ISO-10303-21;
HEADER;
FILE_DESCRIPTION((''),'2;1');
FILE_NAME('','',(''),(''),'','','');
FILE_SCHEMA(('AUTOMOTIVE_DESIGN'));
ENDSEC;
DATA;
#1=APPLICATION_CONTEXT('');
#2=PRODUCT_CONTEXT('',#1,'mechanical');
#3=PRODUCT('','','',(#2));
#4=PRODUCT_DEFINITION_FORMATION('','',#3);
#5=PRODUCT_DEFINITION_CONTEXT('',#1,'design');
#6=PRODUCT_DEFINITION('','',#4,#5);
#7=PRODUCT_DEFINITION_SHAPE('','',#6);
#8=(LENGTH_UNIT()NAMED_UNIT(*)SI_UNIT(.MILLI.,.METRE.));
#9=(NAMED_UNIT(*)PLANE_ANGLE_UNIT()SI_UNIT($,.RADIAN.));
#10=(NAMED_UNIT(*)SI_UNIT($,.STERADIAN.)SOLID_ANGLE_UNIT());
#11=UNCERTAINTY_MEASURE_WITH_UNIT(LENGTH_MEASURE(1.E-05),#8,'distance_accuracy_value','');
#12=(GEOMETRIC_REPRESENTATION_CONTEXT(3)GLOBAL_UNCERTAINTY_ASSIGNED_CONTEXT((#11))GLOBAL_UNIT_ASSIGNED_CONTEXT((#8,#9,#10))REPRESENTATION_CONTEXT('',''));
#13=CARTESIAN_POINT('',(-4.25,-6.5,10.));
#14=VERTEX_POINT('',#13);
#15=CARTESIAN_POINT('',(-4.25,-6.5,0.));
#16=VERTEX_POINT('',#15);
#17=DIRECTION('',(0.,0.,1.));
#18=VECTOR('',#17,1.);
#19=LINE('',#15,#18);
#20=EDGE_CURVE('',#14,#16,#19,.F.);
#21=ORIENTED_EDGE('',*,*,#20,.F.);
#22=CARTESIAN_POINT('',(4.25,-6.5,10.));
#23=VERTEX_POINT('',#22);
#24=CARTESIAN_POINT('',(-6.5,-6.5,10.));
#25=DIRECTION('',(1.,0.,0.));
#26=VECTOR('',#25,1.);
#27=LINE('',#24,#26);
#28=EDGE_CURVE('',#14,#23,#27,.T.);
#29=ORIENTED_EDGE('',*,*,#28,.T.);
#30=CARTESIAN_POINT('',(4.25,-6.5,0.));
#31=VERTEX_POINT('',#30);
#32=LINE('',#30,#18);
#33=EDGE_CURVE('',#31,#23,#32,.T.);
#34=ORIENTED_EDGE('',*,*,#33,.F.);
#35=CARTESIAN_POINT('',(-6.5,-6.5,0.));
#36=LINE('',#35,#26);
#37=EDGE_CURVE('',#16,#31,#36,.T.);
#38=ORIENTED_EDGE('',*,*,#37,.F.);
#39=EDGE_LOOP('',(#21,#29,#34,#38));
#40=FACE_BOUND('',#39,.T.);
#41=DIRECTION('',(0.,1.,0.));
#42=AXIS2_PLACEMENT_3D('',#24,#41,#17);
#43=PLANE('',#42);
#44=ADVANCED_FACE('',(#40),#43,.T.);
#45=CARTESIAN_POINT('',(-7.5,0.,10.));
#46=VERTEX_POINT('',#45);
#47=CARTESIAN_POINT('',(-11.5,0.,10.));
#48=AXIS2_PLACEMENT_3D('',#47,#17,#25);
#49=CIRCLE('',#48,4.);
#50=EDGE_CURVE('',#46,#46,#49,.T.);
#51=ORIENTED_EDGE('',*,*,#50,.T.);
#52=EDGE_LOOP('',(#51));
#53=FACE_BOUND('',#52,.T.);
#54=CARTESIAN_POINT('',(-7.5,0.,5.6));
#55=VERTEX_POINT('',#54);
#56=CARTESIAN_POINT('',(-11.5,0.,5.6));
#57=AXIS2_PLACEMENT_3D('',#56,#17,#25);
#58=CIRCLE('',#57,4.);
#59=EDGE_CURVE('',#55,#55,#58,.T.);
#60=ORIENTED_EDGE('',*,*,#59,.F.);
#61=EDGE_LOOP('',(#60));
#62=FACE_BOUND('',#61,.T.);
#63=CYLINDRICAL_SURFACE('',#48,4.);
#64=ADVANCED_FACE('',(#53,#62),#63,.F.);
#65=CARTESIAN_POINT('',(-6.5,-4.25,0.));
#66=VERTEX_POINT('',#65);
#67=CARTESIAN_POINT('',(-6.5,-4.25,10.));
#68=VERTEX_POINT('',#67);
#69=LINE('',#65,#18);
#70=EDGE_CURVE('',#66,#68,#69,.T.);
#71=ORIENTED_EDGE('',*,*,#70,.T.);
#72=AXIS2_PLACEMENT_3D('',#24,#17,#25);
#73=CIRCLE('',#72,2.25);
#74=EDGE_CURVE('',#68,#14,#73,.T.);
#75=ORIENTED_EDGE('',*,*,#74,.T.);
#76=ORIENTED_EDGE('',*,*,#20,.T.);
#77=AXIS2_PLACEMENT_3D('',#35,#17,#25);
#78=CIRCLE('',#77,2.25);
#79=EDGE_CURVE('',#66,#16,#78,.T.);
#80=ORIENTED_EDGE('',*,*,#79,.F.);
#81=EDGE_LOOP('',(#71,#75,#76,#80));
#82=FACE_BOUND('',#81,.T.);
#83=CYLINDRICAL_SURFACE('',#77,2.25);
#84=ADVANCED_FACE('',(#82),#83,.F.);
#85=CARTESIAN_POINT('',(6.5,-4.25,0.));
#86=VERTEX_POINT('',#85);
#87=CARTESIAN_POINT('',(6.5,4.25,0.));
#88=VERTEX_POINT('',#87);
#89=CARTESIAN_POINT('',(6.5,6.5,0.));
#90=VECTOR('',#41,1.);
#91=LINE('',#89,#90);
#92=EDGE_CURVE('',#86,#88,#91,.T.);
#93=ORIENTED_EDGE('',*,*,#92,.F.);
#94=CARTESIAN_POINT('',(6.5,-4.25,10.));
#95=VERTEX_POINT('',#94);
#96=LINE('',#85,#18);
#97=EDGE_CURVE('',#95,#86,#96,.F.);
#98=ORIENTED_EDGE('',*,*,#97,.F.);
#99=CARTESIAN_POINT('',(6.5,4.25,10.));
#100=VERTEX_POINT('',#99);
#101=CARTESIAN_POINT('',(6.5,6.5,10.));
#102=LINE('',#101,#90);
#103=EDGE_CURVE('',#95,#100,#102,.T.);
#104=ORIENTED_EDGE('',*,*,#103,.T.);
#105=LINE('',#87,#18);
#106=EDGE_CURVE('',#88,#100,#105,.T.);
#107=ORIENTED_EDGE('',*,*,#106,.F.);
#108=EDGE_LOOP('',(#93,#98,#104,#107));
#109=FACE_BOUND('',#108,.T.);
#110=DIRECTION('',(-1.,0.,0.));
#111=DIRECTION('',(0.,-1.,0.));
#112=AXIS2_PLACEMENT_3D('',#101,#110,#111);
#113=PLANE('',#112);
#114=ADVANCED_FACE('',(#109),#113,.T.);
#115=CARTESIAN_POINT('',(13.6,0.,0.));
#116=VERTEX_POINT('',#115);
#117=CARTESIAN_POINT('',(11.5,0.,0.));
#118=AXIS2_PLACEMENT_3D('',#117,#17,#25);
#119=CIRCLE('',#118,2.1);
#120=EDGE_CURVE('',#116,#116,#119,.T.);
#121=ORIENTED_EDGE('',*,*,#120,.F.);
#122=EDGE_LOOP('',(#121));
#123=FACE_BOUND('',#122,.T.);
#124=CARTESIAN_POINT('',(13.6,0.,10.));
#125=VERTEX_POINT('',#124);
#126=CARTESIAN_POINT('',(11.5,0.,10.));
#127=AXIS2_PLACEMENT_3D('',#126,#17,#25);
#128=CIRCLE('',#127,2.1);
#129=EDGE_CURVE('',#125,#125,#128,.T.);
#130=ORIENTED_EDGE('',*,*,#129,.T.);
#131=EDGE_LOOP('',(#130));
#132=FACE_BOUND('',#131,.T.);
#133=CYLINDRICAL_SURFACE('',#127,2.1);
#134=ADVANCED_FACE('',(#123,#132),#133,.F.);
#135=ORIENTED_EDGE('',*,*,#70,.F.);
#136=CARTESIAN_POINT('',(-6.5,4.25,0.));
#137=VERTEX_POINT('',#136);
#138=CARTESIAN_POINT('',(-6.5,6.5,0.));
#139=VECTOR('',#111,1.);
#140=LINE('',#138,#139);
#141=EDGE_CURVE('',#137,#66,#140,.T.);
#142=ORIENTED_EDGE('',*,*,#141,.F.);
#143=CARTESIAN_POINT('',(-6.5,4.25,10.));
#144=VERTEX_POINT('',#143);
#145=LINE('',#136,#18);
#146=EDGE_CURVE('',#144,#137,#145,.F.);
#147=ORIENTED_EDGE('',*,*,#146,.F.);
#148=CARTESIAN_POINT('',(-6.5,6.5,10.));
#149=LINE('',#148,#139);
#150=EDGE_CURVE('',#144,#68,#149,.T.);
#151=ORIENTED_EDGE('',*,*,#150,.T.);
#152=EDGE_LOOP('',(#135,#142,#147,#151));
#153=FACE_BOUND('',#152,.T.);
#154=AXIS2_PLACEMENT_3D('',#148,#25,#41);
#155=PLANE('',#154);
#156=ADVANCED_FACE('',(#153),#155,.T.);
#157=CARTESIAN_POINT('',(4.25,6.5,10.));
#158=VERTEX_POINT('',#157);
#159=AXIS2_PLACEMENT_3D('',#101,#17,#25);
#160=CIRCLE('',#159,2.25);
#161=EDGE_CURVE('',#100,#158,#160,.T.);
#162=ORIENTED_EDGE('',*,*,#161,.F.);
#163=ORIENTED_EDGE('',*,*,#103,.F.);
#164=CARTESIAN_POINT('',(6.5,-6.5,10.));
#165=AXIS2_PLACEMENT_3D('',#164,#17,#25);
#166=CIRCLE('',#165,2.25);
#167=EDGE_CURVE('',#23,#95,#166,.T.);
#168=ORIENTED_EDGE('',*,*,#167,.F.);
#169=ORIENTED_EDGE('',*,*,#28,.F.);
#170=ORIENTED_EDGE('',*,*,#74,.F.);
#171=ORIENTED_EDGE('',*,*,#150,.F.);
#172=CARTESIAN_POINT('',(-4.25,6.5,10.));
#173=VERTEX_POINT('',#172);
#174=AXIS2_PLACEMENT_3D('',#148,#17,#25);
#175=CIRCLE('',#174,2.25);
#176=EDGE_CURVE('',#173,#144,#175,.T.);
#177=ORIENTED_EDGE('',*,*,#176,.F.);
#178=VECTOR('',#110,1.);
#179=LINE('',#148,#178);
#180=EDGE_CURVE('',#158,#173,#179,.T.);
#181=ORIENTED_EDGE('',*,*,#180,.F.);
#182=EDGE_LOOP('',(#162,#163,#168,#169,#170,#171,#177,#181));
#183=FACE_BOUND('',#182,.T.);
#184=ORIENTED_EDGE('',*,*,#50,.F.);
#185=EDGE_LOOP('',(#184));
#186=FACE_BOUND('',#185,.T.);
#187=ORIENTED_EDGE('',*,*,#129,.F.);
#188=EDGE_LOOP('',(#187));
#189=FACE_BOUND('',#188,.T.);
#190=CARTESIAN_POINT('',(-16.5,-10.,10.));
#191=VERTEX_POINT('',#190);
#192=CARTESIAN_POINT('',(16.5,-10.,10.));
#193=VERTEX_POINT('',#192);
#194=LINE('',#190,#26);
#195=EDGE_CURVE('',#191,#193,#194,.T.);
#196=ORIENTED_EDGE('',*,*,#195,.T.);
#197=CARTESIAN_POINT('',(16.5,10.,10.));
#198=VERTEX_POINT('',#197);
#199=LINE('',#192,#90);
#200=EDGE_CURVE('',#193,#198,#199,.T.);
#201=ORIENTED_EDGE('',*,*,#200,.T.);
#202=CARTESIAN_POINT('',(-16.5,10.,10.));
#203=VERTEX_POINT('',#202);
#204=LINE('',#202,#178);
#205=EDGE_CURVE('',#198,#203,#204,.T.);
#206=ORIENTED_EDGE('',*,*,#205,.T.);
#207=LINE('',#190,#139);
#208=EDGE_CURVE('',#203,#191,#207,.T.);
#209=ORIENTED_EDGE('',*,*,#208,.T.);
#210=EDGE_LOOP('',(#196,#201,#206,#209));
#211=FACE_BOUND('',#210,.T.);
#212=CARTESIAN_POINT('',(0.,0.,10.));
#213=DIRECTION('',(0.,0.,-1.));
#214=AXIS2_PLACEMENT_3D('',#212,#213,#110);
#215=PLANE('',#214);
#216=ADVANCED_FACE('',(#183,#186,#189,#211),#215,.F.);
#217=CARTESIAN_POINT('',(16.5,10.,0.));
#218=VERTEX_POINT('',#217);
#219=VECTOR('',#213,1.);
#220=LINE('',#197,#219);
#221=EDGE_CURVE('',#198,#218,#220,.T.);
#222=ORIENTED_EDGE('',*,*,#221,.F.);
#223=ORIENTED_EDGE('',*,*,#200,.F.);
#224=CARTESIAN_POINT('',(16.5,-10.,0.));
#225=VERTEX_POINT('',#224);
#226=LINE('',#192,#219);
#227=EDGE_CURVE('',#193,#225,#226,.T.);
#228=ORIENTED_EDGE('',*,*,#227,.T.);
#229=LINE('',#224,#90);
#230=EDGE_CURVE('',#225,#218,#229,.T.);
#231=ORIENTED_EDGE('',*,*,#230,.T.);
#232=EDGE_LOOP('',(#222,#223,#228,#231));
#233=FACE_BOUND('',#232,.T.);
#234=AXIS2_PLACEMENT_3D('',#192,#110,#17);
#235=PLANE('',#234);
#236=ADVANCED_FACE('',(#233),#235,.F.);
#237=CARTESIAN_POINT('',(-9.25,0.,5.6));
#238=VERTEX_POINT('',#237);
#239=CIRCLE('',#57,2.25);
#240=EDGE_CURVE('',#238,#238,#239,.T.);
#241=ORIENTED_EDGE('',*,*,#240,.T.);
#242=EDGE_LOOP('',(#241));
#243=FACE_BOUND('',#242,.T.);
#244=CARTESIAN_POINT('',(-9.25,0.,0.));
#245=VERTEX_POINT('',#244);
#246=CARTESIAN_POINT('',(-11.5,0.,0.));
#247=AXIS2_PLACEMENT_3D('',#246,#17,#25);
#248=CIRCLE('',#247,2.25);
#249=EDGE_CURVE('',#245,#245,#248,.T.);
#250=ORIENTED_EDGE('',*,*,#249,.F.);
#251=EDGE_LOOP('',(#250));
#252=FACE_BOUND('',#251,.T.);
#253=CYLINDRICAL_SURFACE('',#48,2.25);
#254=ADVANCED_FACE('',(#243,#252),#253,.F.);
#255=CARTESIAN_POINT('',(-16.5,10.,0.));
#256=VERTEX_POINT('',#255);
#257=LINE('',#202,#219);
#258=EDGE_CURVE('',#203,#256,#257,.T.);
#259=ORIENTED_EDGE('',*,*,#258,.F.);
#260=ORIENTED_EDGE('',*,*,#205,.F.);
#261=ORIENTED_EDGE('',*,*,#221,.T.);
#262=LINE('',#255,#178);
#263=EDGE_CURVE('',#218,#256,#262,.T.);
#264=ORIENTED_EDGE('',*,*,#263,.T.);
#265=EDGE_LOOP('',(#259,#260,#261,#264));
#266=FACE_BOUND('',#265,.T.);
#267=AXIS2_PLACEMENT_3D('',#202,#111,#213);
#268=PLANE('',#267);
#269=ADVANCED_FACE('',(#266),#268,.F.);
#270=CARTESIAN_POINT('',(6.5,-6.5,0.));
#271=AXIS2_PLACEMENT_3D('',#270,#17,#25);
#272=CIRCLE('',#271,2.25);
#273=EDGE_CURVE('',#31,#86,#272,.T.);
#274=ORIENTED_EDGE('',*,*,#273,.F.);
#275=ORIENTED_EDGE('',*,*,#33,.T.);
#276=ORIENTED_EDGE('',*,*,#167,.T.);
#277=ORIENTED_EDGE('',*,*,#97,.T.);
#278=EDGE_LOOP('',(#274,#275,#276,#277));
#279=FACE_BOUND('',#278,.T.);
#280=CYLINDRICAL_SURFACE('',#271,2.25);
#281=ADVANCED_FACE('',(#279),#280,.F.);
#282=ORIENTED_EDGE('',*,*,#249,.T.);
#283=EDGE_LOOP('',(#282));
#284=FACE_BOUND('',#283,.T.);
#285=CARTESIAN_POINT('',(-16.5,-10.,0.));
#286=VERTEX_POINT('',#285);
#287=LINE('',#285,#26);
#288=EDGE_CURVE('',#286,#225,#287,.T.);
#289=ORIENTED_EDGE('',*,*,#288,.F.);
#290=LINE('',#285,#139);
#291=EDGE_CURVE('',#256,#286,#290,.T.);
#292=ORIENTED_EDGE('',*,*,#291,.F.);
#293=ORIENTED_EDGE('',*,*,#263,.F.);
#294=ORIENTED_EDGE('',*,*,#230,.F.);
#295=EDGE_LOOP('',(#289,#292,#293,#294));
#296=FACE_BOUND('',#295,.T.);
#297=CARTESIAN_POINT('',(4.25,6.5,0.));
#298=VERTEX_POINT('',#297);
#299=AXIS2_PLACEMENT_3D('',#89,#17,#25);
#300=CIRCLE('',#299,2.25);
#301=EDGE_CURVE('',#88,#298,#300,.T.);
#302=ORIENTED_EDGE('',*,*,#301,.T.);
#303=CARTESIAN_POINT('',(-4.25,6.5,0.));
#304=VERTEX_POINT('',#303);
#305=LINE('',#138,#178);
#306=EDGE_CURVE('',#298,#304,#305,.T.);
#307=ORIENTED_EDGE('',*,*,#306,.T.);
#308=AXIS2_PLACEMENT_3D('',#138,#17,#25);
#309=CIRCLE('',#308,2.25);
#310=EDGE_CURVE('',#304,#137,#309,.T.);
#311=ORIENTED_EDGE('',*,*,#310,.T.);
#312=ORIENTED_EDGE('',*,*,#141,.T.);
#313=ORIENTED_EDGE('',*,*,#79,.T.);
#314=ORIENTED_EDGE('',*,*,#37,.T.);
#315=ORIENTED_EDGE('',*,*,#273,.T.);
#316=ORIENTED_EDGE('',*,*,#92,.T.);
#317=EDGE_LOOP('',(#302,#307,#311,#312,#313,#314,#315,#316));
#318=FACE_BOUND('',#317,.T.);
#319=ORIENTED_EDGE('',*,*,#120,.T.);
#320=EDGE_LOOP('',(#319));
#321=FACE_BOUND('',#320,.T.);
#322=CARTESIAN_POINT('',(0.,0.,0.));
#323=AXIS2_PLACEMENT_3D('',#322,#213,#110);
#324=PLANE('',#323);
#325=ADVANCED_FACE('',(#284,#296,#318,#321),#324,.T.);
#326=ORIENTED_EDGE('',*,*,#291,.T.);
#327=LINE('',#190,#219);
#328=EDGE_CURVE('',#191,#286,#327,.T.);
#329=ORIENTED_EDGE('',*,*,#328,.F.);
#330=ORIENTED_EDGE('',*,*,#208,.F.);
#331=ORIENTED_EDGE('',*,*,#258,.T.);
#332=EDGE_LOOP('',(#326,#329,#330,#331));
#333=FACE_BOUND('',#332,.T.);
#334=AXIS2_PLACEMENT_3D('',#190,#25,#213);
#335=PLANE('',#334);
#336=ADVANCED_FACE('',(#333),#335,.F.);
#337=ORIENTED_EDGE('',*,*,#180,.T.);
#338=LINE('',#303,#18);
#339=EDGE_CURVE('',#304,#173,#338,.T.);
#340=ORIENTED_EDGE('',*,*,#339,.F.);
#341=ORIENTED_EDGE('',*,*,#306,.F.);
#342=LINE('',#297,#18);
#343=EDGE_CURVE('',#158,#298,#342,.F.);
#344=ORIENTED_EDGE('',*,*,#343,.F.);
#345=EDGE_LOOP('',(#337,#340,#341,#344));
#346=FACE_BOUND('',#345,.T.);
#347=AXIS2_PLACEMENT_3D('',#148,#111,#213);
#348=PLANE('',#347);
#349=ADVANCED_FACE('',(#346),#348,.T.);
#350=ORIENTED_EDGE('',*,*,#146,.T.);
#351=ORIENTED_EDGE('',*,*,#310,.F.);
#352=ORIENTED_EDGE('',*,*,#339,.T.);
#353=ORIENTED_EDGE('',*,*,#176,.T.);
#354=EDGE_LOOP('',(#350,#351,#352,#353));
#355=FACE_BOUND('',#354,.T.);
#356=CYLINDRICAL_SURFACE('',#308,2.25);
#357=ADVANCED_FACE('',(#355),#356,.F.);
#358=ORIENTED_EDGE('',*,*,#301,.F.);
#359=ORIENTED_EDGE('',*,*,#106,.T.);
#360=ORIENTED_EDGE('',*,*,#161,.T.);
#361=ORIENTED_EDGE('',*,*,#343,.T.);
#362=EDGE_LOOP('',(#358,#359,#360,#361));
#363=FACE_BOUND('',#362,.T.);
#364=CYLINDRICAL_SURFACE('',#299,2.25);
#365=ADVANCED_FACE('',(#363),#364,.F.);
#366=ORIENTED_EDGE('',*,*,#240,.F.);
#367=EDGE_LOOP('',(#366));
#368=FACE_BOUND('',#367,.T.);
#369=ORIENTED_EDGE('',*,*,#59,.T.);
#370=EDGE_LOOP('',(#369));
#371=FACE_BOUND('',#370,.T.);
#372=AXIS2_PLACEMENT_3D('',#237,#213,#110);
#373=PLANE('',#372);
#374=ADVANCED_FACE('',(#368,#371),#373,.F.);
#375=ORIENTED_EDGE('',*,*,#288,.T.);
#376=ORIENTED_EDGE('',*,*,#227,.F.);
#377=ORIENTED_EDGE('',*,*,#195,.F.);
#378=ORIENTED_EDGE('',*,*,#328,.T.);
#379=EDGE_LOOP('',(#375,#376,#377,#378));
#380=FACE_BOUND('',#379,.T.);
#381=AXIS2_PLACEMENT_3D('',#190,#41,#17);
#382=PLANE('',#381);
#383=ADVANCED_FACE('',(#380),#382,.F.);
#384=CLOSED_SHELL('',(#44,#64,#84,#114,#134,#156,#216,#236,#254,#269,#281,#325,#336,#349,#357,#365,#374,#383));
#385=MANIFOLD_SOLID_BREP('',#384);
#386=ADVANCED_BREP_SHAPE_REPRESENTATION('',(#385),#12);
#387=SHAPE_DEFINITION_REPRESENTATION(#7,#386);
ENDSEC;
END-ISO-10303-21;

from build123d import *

# Parameters (mm, degrees)
SKIZZE1_W                                            = 33
SKIZZE1_H                                            = 20
SKIZZE1_W_2                                          = 13
SKIZZE1_H_2                                          = 13
AUFSATZ_LINEAR_AUSTRAGEN1_DEPTH                      = 10
STIRNSENKUNG_F_R_M4_ZYLINDERSCHRAUBE_MIT_D           = 4.5
STIRNSENKUNG_F_R_M4_ZYLINDERSCHRAUBE_MIT_CBORE_D     = 8
STIRNSENKUNG_F_R_M4_ZYLINDERSCHRAUBE_MIT_CBORE_DEPTH = 4.4
SKIZZE8_R                                            = 2.25
SCHNITT_LINEAR_AUSTRAGEN1_DEPTH                      = 11
M5_GEWINDEBOHRUNG1_D                                 = 4.2


with BuildPart() as part:
    # Skizze1 → Aufsatz-Linear austragen1 (new body)
    with BuildSketch(Plane.XY):
        Rectangle(SKIZZE1_W, SKIZZE1_H)
        Rectangle(SKIZZE1_W_2, SKIZZE1_H_2, mode=Mode.SUBTRACT)
    extrude(amount=AUFSATZ_LINEAR_AUSTRAGEN1_DEPTH)

    # Stirnsenkung für M4 Zylinderschraube mit Innensechskant1 (through all)
    with Locations(Plane.XY.offset(10)):
        with Locations((-11.5, 0)):
            CounterBoreHole(STIRNSENKUNG_F_R_M4_ZYLINDERSCHRAUBE_MIT_D / 2, STIRNSENKUNG_F_R_M4_ZYLINDERSCHRAUBE_MIT_CBORE_D / 2, STIRNSENKUNG_F_R_M4_ZYLINDERSCHRAUBE_MIT_CBORE_DEPTH)

    # Skizze8 → Schnitt-Linear austragen1 (cut, through all)
    with BuildSketch(Plane.XY.offset(10)):
        with Locations((-6.5, 6.5)):
            Circle(SKIZZE8_R)
        with Locations((-6.5, -6.5)):
            Circle(SKIZZE8_R)
        with Locations((6.5, -6.5)):
            Circle(SKIZZE8_R)
        with Locations((6.5, 6.5)):
            Circle(SKIZZE8_R)
    extrude(amount=-SCHNITT_LINEAR_AUSTRAGEN1_DEPTH, mode=Mode.SUBTRACT)

    # M5 Gewindebohrung1 (through all)
    with Locations(Plane.XY.offset(10)):
        with Locations((11.5, 0)):
            Hole(M5_GEWINDEBOHRUNG1_D / 2)


solid = part.part
